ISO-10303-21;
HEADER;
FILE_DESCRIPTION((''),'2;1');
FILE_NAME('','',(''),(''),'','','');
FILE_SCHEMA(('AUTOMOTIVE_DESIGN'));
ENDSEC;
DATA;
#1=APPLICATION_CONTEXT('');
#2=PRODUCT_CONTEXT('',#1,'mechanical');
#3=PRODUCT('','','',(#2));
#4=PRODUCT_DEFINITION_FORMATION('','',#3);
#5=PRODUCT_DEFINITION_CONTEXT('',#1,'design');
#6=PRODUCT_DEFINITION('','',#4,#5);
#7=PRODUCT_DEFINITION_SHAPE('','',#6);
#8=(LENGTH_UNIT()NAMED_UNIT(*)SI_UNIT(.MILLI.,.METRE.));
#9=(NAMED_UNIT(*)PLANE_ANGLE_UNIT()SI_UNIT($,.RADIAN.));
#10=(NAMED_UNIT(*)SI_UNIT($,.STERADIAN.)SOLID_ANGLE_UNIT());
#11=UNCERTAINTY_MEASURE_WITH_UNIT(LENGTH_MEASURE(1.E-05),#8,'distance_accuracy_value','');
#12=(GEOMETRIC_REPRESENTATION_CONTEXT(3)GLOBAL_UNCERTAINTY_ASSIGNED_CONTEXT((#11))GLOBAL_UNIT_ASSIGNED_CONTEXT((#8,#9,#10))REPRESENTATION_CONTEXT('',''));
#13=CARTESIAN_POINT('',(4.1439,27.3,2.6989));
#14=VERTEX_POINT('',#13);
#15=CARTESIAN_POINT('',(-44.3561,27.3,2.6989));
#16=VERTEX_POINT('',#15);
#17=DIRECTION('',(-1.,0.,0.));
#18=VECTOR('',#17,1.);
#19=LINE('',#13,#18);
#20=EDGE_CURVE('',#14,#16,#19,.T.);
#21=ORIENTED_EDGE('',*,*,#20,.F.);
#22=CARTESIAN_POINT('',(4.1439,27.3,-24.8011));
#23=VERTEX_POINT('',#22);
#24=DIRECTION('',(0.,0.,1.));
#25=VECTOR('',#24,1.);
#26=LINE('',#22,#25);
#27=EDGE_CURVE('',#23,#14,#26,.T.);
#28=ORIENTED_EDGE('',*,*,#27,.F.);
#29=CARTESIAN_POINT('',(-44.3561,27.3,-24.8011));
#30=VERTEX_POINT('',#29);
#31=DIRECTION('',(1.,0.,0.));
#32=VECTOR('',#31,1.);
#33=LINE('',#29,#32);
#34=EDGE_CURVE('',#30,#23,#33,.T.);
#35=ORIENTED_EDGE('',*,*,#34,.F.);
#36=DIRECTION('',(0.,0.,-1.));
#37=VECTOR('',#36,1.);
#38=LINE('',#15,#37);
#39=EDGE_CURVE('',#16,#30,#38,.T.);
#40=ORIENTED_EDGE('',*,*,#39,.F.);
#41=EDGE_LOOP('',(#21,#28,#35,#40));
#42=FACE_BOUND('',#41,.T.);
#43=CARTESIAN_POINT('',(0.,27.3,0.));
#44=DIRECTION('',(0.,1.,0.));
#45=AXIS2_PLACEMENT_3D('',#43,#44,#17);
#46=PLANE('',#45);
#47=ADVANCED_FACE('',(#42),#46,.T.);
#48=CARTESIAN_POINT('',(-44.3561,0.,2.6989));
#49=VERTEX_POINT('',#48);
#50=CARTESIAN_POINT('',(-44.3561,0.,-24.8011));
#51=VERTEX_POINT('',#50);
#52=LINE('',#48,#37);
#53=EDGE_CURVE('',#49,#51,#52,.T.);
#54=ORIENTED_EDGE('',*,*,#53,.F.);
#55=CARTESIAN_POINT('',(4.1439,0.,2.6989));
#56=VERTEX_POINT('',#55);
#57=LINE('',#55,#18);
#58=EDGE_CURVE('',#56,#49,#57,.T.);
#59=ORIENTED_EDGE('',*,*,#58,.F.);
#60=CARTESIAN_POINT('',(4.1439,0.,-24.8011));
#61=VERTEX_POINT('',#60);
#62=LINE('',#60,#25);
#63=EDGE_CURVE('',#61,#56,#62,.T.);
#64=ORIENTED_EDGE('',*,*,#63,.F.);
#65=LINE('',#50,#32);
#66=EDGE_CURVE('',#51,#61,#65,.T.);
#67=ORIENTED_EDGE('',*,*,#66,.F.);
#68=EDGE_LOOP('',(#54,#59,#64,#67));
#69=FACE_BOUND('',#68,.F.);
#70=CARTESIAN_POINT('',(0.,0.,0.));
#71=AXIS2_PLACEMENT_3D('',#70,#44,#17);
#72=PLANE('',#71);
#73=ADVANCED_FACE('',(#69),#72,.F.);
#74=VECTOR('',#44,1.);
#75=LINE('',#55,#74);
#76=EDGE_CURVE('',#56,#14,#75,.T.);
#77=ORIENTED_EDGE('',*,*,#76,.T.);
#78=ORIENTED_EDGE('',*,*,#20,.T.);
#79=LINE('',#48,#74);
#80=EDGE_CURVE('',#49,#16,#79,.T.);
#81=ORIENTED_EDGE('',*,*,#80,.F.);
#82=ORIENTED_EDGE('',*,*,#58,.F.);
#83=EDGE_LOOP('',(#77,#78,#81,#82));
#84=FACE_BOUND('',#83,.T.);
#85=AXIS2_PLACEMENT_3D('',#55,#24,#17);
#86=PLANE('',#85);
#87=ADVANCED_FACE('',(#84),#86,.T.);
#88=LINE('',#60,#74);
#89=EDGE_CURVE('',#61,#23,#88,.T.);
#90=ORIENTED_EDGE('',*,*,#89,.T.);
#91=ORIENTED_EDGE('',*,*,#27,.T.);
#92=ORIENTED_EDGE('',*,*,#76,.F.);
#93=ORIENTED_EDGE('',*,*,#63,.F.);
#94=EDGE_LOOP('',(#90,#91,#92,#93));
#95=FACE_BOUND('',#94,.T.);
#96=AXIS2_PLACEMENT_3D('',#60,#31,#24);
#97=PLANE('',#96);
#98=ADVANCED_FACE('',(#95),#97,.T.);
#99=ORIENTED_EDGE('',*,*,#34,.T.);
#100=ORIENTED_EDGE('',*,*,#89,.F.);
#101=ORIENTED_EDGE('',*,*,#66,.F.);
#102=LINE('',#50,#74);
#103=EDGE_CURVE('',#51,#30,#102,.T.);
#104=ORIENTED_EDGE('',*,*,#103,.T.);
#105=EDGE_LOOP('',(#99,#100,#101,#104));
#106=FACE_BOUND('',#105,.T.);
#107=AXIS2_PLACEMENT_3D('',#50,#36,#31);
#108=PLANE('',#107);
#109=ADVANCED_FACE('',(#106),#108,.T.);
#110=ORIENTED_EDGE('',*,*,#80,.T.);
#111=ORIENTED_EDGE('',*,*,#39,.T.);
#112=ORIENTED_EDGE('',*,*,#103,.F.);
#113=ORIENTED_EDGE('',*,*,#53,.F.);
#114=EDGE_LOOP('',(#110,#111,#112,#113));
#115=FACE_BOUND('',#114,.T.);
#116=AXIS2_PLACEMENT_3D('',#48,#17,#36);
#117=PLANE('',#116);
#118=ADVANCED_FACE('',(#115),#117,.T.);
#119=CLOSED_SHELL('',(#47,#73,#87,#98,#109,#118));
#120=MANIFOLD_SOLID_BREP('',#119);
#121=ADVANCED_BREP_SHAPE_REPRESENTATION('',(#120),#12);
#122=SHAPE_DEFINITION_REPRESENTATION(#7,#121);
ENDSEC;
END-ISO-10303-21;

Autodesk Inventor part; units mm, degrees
ref_plane "YZ Plane" through (0, 0, 0) normal (1, 0, 0) x (0, 1, 0)
ref_plane "XZ Plane" through (0, 0, 0) normal (0, 1, 0) x (-1, 0, 0)
ref_plane "XY Plane" through (0, 0, 0) normal (0, 0, 1) x (1, 0, 0)
sketch "Sketch1" plane through (0, 0, 0) normal (0, 1, 0) x (-1, 0, 0)
  line L0 (-4.1439, 2.6989) -> (44.3561, 2.6989)
  line L1 (44.3561, 2.6989) -> (44.3561, -24.8011)
  line L2 (44.3561, -24.8011) -> (-4.1439, -24.8011)
  line L3 (-4.1439, -24.8011) -> (-4.1439, 2.6989)
  point P0 (0, 0)
  dimension "d0" = 48.5
  dimension "d1" = 27.5
extrude "Extrusion1" add sketch "Sketch1" along normal blind 27.3
properties part number "micro"
